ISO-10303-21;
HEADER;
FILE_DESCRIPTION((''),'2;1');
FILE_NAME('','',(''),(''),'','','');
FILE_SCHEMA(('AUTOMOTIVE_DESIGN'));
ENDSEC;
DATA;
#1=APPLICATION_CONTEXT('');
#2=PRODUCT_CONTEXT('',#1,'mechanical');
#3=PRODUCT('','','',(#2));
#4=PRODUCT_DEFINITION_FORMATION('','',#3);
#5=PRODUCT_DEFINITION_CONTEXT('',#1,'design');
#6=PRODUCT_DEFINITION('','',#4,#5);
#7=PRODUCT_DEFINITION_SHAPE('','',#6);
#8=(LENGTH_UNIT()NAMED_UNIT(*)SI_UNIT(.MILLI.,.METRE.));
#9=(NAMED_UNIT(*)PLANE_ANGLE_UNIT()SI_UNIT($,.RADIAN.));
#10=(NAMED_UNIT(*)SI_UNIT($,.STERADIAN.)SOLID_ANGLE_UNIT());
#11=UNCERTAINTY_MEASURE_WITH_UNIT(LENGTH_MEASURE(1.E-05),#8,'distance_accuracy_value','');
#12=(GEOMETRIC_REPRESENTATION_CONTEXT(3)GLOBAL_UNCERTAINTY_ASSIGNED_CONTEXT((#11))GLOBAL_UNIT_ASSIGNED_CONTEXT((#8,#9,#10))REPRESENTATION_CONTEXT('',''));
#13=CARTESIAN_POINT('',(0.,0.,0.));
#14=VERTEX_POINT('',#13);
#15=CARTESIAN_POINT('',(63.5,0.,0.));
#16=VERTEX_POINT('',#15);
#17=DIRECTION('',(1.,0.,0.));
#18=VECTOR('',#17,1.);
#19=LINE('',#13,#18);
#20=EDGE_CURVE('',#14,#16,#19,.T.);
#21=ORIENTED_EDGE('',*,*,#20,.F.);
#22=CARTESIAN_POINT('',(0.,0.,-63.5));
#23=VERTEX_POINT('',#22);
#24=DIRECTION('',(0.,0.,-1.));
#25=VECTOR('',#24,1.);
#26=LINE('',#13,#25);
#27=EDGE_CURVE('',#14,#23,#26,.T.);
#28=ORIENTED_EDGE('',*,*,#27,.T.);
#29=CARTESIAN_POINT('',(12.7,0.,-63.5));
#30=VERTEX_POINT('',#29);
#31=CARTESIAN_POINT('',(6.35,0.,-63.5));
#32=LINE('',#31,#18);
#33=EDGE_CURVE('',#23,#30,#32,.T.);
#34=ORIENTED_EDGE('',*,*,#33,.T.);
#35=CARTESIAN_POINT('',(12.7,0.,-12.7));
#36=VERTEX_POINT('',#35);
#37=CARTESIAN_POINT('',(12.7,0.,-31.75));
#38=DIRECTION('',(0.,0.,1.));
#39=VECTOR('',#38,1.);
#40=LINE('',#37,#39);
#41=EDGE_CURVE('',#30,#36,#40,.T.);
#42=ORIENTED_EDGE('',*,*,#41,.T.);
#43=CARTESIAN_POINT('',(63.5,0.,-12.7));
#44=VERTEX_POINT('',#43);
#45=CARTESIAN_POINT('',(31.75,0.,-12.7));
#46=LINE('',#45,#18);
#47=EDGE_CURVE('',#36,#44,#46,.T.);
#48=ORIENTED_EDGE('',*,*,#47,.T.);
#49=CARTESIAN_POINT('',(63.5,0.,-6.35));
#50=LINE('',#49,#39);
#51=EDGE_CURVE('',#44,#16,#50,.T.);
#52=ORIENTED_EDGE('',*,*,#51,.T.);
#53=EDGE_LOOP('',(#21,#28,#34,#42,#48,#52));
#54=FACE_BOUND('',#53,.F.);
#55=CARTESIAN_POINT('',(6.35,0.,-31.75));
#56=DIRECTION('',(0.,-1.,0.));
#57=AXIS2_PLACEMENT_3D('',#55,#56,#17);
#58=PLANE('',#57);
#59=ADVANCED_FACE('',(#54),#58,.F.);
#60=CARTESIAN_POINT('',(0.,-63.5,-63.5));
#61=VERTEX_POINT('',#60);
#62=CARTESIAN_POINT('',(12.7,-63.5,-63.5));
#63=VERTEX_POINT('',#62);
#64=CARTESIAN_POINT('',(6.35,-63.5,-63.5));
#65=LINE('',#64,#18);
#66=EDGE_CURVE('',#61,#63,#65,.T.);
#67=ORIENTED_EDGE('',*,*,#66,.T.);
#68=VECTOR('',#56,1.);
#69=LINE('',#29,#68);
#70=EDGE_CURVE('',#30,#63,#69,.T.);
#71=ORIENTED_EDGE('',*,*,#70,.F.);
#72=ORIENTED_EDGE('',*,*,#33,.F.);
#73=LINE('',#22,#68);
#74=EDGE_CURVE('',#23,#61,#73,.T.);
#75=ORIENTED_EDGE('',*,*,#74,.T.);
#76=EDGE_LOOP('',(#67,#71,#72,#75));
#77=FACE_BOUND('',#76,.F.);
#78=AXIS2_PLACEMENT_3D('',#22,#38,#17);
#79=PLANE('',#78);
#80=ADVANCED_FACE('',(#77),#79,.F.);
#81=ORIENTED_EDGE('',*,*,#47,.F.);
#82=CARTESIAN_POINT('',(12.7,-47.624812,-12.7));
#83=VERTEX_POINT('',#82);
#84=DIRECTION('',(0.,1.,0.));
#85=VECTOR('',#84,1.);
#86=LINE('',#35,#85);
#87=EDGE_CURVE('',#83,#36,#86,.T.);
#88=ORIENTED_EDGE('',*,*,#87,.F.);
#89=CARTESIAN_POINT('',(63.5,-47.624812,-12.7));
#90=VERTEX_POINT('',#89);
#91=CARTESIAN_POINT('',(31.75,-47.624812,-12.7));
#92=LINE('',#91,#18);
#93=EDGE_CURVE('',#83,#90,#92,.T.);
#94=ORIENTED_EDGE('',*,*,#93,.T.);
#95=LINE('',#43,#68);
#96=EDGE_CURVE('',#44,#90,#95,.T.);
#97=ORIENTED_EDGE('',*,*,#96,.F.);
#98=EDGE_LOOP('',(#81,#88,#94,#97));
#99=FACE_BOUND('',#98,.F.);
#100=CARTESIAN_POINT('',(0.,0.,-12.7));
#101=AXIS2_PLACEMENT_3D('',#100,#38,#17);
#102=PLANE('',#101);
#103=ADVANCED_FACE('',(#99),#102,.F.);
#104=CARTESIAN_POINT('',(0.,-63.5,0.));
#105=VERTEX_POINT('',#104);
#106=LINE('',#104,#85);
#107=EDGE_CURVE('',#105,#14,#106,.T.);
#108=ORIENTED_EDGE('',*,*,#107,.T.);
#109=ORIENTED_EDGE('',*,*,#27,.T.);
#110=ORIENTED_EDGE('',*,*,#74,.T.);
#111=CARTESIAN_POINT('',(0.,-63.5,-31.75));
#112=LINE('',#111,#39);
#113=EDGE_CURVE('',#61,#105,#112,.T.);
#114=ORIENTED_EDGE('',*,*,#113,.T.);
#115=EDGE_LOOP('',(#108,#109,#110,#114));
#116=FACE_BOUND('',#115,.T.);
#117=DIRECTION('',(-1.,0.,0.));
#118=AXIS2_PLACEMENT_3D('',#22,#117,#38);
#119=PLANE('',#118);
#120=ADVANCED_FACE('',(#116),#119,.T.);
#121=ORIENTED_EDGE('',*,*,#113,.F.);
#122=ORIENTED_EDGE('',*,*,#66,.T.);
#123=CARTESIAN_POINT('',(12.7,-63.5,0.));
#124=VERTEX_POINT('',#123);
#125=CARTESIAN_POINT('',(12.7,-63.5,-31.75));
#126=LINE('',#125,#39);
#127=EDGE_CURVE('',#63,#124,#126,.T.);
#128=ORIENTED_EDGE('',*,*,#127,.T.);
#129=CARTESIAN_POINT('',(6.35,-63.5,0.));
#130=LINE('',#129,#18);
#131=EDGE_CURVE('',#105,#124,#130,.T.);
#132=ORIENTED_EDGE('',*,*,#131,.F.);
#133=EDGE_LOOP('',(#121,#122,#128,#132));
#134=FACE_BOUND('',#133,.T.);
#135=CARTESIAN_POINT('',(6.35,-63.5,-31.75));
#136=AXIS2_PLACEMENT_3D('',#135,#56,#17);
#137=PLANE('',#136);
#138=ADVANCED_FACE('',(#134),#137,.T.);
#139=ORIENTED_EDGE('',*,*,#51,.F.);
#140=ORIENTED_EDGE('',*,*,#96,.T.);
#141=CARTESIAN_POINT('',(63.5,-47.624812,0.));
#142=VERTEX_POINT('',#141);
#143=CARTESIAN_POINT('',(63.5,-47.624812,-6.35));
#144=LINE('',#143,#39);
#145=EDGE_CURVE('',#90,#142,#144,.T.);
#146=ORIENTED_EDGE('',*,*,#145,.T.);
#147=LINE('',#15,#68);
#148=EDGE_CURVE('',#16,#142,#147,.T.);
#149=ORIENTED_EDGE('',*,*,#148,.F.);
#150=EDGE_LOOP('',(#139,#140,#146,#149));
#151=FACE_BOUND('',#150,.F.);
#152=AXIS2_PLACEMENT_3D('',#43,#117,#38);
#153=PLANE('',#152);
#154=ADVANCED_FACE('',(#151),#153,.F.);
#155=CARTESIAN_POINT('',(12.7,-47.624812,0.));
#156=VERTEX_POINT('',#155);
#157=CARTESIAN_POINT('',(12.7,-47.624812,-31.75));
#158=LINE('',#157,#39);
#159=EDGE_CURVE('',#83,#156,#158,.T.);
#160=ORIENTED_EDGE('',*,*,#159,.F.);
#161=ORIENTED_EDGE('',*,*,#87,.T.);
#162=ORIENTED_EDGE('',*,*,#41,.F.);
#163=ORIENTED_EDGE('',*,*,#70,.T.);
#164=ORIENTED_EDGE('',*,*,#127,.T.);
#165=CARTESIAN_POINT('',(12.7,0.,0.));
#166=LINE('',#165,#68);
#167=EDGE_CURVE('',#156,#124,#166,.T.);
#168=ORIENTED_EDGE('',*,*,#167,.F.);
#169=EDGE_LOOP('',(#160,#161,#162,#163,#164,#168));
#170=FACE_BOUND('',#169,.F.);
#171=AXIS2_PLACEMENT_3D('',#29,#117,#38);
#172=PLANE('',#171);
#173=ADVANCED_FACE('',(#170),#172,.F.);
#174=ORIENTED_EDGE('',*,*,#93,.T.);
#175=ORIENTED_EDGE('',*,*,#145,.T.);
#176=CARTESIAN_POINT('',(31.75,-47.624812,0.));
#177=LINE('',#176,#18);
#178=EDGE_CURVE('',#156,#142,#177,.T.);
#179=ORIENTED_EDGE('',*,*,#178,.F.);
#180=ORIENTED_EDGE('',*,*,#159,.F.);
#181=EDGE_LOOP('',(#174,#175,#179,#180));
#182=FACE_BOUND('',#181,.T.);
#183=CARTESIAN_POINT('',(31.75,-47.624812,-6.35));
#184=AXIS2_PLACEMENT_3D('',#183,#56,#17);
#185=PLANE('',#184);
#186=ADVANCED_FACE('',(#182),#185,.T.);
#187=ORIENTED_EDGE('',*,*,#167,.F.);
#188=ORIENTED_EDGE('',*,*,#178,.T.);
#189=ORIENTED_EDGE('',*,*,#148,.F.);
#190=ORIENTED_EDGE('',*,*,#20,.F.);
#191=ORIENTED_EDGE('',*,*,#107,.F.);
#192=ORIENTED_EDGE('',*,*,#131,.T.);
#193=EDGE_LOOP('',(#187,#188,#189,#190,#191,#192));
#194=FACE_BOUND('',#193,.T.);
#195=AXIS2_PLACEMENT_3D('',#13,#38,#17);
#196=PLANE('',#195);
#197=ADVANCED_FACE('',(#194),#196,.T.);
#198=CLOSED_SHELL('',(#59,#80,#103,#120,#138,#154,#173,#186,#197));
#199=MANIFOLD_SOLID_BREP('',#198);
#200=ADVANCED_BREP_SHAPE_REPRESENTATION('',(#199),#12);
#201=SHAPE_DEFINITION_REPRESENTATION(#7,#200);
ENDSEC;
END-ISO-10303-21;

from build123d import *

# Parameters (mm, degrees)
F0_W     = 12.7
F0_H     = 63.5
F1_DEPTH = 63.5
F2_W     = 63.5
F2_H     = 12.7
F3_DEPTH = 47.624812


with BuildPart() as f1:
    # F0 (on Front) → F1 (new body)
    with BuildSketch(Plane.XZ):
        with Locations((6.35, -31.75)):
            Rectangle(F0_W, F0_H)
    extrude(amount=F1_DEPTH)

    # F0 (on Front) + F2 (on Front) → F3 (join)
    with BuildSketch(Plane.XZ):
        with Locations((6.35, -31.75)):
            Rectangle(F0_W, F0_H)
    with BuildSketch(Plane.XZ):
        with Locations((31.75, -6.35)):
            Rectangle(F2_W, F2_H)
    extrude(amount=F3_DEPTH)


solid = f1.part
